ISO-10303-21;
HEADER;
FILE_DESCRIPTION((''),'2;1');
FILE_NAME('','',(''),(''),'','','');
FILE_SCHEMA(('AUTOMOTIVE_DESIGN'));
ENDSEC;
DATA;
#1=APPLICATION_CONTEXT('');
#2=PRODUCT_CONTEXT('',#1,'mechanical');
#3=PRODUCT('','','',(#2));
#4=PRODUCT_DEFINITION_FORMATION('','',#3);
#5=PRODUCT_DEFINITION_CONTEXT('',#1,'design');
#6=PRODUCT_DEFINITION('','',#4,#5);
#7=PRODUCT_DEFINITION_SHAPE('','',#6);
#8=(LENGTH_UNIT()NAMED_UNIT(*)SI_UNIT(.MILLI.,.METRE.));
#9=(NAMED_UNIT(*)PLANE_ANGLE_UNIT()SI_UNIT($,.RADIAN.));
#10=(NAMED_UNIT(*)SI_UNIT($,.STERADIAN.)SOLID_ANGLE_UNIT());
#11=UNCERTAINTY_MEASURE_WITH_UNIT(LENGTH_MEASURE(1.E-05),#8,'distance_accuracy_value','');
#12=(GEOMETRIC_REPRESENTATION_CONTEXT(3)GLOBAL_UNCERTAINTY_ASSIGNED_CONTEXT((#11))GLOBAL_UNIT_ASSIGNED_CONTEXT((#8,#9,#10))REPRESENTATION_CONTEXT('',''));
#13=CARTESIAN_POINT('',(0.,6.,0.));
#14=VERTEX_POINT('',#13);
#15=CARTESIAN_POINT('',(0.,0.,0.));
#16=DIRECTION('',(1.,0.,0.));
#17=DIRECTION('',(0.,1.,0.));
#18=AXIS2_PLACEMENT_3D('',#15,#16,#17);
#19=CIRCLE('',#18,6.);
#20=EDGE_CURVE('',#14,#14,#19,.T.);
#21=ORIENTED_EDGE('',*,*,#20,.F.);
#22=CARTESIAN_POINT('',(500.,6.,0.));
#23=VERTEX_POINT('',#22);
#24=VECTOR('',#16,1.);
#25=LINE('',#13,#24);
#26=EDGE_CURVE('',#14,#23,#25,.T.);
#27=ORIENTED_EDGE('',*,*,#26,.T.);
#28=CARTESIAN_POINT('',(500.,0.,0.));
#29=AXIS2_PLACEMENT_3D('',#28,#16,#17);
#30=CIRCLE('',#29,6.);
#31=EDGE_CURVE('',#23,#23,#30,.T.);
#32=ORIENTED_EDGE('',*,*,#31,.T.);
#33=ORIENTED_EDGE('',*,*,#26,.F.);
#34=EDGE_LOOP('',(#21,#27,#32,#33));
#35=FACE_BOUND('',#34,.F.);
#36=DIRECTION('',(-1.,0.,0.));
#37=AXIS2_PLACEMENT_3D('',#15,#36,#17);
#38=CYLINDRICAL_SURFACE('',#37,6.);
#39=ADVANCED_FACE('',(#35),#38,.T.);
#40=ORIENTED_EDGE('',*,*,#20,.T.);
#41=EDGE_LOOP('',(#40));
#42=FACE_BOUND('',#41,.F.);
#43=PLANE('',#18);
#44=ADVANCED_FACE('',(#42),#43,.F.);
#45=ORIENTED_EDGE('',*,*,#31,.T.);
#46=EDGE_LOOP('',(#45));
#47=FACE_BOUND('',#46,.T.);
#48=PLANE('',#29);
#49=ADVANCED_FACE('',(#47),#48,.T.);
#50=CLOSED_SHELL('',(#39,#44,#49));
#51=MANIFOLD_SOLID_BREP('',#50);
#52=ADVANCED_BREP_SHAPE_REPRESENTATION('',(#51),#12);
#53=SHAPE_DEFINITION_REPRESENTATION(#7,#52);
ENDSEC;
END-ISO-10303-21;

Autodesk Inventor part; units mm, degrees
ref_plane "YZ Plane" through (0, 0, 0) normal (1, 0, 0) x (0, 1, 0)
ref_plane "XZ Plane" through (0, 0, 0) normal (0, 1, 0) x (-1, 0, 0)
ref_plane "XY Plane" through (0, 0, 0) normal (0, 0, 1) x (1, 0, 0)
sketch "Sketch1" plane through (0, 0, 0) normal (1, 0, 0) x (0, 1, 0)
  circle A0 centre (0, 0) radius 6
  dimension "d0" = 12
extrude "Extrusion1" add sketch "Sketch1" along normal blind 500
properties part number "Shaft d10" material "Stainless Steel"
